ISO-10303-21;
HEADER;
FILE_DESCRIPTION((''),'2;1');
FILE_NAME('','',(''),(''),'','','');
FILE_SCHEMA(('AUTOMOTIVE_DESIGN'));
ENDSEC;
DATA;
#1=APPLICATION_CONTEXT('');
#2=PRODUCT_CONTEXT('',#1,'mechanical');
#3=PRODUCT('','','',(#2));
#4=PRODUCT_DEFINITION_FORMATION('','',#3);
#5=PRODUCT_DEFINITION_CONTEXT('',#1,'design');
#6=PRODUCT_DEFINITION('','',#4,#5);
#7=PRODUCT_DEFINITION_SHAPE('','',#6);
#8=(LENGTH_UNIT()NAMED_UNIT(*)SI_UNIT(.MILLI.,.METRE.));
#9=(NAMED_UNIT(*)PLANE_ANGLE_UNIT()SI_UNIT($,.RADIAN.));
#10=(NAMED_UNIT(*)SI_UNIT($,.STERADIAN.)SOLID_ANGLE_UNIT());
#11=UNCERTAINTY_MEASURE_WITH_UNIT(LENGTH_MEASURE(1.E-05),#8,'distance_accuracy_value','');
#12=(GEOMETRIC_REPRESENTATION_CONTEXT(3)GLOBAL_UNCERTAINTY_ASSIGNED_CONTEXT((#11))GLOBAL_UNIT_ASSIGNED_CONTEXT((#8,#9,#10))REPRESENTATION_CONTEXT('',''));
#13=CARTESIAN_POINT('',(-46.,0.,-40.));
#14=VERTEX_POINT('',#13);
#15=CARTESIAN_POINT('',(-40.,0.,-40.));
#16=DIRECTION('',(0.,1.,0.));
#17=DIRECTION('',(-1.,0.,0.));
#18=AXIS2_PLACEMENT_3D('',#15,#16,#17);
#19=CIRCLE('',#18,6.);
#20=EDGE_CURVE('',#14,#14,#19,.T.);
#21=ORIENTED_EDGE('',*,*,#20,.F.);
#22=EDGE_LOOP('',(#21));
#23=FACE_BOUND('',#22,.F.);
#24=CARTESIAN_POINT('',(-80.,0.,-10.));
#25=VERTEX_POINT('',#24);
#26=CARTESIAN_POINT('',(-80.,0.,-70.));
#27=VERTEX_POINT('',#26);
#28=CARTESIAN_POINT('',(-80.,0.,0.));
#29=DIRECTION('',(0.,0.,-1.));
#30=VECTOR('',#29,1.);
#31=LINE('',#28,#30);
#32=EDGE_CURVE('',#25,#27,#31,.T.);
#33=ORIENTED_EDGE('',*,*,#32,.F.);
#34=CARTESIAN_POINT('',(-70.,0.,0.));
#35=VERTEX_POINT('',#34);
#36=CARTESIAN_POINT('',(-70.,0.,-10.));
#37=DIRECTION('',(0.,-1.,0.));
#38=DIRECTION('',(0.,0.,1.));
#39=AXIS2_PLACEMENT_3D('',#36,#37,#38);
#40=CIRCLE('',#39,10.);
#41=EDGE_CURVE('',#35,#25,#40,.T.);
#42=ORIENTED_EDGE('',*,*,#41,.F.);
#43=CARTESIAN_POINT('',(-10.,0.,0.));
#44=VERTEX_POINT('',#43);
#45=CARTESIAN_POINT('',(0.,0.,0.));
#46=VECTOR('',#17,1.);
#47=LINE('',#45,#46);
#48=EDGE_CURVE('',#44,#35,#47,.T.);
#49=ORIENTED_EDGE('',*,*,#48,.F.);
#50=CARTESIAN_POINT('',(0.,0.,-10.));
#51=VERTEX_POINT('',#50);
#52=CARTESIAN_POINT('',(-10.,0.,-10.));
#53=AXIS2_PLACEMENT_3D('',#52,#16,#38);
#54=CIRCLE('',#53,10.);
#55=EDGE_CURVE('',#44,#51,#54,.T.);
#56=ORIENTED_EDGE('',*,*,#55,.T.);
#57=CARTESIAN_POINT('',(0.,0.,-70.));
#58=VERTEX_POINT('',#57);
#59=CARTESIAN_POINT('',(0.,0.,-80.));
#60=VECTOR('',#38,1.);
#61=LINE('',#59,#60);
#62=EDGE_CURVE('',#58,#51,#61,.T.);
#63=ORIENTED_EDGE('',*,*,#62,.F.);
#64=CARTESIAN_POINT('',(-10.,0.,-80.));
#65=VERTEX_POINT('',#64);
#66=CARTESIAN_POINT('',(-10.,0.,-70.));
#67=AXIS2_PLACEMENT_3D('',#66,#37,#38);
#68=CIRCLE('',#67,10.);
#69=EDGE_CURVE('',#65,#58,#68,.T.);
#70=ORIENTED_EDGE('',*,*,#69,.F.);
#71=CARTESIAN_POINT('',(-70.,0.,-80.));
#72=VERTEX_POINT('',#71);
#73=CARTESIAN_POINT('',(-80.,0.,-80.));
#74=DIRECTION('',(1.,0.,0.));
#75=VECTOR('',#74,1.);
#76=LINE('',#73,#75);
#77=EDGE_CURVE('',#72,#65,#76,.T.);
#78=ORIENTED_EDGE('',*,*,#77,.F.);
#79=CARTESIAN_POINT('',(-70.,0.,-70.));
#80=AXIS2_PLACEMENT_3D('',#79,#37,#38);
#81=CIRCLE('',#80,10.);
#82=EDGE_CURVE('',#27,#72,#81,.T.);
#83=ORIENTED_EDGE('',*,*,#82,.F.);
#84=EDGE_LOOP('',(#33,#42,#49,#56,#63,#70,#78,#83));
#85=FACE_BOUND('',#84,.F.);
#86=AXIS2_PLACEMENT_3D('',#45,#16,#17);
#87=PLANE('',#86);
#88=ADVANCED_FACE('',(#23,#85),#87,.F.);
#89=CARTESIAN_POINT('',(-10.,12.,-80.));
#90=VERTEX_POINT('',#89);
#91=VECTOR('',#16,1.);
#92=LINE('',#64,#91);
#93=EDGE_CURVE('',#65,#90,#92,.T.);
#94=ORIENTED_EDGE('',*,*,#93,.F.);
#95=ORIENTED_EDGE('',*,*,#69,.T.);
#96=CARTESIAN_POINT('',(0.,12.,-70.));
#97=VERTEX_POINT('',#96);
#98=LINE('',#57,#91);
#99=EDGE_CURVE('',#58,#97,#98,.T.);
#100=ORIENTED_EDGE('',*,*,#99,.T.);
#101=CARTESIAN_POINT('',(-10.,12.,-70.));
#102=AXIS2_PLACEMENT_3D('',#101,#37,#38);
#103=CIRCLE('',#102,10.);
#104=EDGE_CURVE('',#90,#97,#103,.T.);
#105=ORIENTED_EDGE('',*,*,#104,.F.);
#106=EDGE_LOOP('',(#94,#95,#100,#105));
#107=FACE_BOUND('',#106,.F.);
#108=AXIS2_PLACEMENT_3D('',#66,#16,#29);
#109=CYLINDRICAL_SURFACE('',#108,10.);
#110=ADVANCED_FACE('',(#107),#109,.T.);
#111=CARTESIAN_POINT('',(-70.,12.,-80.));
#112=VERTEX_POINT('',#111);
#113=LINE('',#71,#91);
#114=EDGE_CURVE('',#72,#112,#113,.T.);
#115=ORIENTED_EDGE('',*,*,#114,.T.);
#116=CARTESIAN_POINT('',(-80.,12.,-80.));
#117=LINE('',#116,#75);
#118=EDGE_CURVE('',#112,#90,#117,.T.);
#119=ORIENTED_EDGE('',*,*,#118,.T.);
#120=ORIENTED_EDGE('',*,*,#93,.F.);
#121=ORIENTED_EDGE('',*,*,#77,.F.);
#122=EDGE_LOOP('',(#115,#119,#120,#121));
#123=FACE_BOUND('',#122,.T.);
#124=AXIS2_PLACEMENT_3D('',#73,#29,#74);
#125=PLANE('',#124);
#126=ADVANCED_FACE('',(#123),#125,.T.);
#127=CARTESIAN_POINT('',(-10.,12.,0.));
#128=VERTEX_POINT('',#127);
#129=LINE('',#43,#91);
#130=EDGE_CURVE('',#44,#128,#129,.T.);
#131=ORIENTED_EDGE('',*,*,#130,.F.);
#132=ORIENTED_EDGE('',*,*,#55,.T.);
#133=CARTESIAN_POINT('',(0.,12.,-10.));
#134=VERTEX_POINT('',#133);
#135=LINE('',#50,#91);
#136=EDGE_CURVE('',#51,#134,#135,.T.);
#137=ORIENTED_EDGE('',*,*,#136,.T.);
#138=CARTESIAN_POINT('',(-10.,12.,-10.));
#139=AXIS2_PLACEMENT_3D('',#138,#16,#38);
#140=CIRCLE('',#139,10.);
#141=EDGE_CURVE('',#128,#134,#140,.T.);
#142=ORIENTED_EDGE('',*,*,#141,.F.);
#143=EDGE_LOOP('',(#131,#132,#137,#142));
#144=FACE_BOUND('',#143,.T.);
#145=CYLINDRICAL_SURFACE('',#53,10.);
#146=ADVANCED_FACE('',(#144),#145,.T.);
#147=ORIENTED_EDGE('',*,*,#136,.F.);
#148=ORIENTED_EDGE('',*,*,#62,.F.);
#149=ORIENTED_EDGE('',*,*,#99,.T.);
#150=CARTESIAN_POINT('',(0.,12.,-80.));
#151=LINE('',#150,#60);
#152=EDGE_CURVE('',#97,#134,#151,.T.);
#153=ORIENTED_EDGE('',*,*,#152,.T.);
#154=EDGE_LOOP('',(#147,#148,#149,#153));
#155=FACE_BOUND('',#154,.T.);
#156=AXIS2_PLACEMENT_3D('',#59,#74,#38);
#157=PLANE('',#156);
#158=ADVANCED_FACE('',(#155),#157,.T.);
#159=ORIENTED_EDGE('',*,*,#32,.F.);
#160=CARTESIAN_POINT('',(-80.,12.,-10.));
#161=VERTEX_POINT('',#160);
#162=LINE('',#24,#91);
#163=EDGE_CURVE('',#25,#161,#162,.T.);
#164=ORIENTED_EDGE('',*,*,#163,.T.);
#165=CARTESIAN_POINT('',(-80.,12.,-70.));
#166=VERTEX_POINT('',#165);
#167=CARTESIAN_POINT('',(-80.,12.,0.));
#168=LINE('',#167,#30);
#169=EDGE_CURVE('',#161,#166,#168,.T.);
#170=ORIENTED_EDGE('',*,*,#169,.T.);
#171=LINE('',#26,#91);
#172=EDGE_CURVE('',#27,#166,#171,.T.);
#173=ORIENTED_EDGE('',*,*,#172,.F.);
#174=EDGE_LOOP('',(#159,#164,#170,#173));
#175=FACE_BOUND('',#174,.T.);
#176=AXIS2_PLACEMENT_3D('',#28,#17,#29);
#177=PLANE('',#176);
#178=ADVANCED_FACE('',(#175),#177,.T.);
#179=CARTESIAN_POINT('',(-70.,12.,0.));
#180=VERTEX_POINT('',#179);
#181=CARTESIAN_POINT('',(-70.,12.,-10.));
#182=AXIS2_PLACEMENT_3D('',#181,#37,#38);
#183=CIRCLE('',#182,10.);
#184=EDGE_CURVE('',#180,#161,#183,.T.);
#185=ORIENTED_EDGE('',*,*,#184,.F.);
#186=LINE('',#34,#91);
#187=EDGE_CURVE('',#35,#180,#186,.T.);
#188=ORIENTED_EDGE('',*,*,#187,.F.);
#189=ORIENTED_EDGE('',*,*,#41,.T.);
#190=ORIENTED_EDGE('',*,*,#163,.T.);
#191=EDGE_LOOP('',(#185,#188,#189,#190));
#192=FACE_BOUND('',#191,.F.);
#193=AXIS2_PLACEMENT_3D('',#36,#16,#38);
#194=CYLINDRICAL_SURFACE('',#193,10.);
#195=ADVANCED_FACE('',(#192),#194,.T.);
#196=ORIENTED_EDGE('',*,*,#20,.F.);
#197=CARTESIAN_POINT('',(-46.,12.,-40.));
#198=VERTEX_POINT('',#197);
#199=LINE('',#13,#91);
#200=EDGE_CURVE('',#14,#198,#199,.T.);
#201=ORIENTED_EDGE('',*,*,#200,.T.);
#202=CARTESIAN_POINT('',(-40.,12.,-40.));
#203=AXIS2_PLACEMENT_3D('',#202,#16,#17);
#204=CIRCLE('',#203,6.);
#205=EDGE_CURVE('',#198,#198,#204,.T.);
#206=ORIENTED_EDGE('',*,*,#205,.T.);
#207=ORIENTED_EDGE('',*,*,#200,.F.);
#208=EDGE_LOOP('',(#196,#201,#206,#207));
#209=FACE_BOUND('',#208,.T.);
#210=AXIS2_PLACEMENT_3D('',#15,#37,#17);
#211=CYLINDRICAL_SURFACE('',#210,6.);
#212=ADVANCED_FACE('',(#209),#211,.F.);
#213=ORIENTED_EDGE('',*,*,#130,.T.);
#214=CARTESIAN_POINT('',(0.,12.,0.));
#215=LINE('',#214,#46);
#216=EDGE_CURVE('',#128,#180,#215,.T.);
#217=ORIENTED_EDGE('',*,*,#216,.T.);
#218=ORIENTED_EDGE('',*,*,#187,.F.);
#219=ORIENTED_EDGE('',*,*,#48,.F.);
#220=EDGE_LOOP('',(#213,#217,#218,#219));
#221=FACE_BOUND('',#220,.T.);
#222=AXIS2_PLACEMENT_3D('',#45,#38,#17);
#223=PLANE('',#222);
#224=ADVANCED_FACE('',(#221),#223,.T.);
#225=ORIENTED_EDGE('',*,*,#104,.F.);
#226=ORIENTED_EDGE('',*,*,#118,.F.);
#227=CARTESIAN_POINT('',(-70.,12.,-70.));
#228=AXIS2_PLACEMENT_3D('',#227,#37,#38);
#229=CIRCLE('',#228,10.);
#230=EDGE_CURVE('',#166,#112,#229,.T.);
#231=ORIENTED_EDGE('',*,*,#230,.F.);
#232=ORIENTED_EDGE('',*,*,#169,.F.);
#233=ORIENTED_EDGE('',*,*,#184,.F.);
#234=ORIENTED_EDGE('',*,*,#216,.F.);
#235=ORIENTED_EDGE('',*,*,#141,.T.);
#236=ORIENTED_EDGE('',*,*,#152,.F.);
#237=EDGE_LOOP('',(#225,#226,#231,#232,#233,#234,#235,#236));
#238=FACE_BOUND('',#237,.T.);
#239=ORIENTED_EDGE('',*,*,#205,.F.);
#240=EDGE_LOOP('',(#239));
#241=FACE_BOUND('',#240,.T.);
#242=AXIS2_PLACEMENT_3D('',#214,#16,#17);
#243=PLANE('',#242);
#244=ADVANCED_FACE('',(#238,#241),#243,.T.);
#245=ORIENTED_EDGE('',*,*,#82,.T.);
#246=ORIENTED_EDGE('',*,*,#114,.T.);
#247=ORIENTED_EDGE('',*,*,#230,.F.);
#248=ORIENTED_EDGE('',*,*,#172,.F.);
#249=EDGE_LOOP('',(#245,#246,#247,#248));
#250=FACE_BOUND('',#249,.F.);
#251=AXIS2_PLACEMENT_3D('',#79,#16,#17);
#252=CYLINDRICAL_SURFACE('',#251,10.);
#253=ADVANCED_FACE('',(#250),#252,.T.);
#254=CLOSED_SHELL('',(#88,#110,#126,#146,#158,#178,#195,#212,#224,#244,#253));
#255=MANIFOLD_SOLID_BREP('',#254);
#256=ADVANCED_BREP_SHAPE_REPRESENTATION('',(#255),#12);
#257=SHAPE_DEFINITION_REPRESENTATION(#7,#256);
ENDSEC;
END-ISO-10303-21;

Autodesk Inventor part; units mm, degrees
ref_plane "YZ Plane" through (0, 0, 0) normal (1, 0, 0) x (0, 1, 0)
ref_plane "XZ Plane" through (0, 0, 0) normal (0, 1, 0) x (-1, 0, 0)
ref_plane "XY Plane" through (0, 0, 0) normal (0, 0, 1) x (1, 0, 0)
sketch "Esboço1" plane through (0, 0, 0) normal (0, 1, 0) x (-1, 0, 0)
  line L0 (0, 0) -> (80, 0)
  line L1 (80, 0) -> (80, -80)
  line L2 (80, -80) -> (0, -80)
  line L3 (0, -80) -> (0, 0)
  circle A0 centre (40, -40) radius 6
  dimension "d0" = 80
  dimension "d1" = 80
  dimension "d2" = 12
extrude "Extrusão1" add sketch "Esboço1" along normal blind 12
fillet "Arredondamento1" radius 10 4 edges at (-80, 6, 0) (0, 6, 0) (0, 6, -80) (-80, 6, -80)
properties part number "Calorímetro_montagem"
